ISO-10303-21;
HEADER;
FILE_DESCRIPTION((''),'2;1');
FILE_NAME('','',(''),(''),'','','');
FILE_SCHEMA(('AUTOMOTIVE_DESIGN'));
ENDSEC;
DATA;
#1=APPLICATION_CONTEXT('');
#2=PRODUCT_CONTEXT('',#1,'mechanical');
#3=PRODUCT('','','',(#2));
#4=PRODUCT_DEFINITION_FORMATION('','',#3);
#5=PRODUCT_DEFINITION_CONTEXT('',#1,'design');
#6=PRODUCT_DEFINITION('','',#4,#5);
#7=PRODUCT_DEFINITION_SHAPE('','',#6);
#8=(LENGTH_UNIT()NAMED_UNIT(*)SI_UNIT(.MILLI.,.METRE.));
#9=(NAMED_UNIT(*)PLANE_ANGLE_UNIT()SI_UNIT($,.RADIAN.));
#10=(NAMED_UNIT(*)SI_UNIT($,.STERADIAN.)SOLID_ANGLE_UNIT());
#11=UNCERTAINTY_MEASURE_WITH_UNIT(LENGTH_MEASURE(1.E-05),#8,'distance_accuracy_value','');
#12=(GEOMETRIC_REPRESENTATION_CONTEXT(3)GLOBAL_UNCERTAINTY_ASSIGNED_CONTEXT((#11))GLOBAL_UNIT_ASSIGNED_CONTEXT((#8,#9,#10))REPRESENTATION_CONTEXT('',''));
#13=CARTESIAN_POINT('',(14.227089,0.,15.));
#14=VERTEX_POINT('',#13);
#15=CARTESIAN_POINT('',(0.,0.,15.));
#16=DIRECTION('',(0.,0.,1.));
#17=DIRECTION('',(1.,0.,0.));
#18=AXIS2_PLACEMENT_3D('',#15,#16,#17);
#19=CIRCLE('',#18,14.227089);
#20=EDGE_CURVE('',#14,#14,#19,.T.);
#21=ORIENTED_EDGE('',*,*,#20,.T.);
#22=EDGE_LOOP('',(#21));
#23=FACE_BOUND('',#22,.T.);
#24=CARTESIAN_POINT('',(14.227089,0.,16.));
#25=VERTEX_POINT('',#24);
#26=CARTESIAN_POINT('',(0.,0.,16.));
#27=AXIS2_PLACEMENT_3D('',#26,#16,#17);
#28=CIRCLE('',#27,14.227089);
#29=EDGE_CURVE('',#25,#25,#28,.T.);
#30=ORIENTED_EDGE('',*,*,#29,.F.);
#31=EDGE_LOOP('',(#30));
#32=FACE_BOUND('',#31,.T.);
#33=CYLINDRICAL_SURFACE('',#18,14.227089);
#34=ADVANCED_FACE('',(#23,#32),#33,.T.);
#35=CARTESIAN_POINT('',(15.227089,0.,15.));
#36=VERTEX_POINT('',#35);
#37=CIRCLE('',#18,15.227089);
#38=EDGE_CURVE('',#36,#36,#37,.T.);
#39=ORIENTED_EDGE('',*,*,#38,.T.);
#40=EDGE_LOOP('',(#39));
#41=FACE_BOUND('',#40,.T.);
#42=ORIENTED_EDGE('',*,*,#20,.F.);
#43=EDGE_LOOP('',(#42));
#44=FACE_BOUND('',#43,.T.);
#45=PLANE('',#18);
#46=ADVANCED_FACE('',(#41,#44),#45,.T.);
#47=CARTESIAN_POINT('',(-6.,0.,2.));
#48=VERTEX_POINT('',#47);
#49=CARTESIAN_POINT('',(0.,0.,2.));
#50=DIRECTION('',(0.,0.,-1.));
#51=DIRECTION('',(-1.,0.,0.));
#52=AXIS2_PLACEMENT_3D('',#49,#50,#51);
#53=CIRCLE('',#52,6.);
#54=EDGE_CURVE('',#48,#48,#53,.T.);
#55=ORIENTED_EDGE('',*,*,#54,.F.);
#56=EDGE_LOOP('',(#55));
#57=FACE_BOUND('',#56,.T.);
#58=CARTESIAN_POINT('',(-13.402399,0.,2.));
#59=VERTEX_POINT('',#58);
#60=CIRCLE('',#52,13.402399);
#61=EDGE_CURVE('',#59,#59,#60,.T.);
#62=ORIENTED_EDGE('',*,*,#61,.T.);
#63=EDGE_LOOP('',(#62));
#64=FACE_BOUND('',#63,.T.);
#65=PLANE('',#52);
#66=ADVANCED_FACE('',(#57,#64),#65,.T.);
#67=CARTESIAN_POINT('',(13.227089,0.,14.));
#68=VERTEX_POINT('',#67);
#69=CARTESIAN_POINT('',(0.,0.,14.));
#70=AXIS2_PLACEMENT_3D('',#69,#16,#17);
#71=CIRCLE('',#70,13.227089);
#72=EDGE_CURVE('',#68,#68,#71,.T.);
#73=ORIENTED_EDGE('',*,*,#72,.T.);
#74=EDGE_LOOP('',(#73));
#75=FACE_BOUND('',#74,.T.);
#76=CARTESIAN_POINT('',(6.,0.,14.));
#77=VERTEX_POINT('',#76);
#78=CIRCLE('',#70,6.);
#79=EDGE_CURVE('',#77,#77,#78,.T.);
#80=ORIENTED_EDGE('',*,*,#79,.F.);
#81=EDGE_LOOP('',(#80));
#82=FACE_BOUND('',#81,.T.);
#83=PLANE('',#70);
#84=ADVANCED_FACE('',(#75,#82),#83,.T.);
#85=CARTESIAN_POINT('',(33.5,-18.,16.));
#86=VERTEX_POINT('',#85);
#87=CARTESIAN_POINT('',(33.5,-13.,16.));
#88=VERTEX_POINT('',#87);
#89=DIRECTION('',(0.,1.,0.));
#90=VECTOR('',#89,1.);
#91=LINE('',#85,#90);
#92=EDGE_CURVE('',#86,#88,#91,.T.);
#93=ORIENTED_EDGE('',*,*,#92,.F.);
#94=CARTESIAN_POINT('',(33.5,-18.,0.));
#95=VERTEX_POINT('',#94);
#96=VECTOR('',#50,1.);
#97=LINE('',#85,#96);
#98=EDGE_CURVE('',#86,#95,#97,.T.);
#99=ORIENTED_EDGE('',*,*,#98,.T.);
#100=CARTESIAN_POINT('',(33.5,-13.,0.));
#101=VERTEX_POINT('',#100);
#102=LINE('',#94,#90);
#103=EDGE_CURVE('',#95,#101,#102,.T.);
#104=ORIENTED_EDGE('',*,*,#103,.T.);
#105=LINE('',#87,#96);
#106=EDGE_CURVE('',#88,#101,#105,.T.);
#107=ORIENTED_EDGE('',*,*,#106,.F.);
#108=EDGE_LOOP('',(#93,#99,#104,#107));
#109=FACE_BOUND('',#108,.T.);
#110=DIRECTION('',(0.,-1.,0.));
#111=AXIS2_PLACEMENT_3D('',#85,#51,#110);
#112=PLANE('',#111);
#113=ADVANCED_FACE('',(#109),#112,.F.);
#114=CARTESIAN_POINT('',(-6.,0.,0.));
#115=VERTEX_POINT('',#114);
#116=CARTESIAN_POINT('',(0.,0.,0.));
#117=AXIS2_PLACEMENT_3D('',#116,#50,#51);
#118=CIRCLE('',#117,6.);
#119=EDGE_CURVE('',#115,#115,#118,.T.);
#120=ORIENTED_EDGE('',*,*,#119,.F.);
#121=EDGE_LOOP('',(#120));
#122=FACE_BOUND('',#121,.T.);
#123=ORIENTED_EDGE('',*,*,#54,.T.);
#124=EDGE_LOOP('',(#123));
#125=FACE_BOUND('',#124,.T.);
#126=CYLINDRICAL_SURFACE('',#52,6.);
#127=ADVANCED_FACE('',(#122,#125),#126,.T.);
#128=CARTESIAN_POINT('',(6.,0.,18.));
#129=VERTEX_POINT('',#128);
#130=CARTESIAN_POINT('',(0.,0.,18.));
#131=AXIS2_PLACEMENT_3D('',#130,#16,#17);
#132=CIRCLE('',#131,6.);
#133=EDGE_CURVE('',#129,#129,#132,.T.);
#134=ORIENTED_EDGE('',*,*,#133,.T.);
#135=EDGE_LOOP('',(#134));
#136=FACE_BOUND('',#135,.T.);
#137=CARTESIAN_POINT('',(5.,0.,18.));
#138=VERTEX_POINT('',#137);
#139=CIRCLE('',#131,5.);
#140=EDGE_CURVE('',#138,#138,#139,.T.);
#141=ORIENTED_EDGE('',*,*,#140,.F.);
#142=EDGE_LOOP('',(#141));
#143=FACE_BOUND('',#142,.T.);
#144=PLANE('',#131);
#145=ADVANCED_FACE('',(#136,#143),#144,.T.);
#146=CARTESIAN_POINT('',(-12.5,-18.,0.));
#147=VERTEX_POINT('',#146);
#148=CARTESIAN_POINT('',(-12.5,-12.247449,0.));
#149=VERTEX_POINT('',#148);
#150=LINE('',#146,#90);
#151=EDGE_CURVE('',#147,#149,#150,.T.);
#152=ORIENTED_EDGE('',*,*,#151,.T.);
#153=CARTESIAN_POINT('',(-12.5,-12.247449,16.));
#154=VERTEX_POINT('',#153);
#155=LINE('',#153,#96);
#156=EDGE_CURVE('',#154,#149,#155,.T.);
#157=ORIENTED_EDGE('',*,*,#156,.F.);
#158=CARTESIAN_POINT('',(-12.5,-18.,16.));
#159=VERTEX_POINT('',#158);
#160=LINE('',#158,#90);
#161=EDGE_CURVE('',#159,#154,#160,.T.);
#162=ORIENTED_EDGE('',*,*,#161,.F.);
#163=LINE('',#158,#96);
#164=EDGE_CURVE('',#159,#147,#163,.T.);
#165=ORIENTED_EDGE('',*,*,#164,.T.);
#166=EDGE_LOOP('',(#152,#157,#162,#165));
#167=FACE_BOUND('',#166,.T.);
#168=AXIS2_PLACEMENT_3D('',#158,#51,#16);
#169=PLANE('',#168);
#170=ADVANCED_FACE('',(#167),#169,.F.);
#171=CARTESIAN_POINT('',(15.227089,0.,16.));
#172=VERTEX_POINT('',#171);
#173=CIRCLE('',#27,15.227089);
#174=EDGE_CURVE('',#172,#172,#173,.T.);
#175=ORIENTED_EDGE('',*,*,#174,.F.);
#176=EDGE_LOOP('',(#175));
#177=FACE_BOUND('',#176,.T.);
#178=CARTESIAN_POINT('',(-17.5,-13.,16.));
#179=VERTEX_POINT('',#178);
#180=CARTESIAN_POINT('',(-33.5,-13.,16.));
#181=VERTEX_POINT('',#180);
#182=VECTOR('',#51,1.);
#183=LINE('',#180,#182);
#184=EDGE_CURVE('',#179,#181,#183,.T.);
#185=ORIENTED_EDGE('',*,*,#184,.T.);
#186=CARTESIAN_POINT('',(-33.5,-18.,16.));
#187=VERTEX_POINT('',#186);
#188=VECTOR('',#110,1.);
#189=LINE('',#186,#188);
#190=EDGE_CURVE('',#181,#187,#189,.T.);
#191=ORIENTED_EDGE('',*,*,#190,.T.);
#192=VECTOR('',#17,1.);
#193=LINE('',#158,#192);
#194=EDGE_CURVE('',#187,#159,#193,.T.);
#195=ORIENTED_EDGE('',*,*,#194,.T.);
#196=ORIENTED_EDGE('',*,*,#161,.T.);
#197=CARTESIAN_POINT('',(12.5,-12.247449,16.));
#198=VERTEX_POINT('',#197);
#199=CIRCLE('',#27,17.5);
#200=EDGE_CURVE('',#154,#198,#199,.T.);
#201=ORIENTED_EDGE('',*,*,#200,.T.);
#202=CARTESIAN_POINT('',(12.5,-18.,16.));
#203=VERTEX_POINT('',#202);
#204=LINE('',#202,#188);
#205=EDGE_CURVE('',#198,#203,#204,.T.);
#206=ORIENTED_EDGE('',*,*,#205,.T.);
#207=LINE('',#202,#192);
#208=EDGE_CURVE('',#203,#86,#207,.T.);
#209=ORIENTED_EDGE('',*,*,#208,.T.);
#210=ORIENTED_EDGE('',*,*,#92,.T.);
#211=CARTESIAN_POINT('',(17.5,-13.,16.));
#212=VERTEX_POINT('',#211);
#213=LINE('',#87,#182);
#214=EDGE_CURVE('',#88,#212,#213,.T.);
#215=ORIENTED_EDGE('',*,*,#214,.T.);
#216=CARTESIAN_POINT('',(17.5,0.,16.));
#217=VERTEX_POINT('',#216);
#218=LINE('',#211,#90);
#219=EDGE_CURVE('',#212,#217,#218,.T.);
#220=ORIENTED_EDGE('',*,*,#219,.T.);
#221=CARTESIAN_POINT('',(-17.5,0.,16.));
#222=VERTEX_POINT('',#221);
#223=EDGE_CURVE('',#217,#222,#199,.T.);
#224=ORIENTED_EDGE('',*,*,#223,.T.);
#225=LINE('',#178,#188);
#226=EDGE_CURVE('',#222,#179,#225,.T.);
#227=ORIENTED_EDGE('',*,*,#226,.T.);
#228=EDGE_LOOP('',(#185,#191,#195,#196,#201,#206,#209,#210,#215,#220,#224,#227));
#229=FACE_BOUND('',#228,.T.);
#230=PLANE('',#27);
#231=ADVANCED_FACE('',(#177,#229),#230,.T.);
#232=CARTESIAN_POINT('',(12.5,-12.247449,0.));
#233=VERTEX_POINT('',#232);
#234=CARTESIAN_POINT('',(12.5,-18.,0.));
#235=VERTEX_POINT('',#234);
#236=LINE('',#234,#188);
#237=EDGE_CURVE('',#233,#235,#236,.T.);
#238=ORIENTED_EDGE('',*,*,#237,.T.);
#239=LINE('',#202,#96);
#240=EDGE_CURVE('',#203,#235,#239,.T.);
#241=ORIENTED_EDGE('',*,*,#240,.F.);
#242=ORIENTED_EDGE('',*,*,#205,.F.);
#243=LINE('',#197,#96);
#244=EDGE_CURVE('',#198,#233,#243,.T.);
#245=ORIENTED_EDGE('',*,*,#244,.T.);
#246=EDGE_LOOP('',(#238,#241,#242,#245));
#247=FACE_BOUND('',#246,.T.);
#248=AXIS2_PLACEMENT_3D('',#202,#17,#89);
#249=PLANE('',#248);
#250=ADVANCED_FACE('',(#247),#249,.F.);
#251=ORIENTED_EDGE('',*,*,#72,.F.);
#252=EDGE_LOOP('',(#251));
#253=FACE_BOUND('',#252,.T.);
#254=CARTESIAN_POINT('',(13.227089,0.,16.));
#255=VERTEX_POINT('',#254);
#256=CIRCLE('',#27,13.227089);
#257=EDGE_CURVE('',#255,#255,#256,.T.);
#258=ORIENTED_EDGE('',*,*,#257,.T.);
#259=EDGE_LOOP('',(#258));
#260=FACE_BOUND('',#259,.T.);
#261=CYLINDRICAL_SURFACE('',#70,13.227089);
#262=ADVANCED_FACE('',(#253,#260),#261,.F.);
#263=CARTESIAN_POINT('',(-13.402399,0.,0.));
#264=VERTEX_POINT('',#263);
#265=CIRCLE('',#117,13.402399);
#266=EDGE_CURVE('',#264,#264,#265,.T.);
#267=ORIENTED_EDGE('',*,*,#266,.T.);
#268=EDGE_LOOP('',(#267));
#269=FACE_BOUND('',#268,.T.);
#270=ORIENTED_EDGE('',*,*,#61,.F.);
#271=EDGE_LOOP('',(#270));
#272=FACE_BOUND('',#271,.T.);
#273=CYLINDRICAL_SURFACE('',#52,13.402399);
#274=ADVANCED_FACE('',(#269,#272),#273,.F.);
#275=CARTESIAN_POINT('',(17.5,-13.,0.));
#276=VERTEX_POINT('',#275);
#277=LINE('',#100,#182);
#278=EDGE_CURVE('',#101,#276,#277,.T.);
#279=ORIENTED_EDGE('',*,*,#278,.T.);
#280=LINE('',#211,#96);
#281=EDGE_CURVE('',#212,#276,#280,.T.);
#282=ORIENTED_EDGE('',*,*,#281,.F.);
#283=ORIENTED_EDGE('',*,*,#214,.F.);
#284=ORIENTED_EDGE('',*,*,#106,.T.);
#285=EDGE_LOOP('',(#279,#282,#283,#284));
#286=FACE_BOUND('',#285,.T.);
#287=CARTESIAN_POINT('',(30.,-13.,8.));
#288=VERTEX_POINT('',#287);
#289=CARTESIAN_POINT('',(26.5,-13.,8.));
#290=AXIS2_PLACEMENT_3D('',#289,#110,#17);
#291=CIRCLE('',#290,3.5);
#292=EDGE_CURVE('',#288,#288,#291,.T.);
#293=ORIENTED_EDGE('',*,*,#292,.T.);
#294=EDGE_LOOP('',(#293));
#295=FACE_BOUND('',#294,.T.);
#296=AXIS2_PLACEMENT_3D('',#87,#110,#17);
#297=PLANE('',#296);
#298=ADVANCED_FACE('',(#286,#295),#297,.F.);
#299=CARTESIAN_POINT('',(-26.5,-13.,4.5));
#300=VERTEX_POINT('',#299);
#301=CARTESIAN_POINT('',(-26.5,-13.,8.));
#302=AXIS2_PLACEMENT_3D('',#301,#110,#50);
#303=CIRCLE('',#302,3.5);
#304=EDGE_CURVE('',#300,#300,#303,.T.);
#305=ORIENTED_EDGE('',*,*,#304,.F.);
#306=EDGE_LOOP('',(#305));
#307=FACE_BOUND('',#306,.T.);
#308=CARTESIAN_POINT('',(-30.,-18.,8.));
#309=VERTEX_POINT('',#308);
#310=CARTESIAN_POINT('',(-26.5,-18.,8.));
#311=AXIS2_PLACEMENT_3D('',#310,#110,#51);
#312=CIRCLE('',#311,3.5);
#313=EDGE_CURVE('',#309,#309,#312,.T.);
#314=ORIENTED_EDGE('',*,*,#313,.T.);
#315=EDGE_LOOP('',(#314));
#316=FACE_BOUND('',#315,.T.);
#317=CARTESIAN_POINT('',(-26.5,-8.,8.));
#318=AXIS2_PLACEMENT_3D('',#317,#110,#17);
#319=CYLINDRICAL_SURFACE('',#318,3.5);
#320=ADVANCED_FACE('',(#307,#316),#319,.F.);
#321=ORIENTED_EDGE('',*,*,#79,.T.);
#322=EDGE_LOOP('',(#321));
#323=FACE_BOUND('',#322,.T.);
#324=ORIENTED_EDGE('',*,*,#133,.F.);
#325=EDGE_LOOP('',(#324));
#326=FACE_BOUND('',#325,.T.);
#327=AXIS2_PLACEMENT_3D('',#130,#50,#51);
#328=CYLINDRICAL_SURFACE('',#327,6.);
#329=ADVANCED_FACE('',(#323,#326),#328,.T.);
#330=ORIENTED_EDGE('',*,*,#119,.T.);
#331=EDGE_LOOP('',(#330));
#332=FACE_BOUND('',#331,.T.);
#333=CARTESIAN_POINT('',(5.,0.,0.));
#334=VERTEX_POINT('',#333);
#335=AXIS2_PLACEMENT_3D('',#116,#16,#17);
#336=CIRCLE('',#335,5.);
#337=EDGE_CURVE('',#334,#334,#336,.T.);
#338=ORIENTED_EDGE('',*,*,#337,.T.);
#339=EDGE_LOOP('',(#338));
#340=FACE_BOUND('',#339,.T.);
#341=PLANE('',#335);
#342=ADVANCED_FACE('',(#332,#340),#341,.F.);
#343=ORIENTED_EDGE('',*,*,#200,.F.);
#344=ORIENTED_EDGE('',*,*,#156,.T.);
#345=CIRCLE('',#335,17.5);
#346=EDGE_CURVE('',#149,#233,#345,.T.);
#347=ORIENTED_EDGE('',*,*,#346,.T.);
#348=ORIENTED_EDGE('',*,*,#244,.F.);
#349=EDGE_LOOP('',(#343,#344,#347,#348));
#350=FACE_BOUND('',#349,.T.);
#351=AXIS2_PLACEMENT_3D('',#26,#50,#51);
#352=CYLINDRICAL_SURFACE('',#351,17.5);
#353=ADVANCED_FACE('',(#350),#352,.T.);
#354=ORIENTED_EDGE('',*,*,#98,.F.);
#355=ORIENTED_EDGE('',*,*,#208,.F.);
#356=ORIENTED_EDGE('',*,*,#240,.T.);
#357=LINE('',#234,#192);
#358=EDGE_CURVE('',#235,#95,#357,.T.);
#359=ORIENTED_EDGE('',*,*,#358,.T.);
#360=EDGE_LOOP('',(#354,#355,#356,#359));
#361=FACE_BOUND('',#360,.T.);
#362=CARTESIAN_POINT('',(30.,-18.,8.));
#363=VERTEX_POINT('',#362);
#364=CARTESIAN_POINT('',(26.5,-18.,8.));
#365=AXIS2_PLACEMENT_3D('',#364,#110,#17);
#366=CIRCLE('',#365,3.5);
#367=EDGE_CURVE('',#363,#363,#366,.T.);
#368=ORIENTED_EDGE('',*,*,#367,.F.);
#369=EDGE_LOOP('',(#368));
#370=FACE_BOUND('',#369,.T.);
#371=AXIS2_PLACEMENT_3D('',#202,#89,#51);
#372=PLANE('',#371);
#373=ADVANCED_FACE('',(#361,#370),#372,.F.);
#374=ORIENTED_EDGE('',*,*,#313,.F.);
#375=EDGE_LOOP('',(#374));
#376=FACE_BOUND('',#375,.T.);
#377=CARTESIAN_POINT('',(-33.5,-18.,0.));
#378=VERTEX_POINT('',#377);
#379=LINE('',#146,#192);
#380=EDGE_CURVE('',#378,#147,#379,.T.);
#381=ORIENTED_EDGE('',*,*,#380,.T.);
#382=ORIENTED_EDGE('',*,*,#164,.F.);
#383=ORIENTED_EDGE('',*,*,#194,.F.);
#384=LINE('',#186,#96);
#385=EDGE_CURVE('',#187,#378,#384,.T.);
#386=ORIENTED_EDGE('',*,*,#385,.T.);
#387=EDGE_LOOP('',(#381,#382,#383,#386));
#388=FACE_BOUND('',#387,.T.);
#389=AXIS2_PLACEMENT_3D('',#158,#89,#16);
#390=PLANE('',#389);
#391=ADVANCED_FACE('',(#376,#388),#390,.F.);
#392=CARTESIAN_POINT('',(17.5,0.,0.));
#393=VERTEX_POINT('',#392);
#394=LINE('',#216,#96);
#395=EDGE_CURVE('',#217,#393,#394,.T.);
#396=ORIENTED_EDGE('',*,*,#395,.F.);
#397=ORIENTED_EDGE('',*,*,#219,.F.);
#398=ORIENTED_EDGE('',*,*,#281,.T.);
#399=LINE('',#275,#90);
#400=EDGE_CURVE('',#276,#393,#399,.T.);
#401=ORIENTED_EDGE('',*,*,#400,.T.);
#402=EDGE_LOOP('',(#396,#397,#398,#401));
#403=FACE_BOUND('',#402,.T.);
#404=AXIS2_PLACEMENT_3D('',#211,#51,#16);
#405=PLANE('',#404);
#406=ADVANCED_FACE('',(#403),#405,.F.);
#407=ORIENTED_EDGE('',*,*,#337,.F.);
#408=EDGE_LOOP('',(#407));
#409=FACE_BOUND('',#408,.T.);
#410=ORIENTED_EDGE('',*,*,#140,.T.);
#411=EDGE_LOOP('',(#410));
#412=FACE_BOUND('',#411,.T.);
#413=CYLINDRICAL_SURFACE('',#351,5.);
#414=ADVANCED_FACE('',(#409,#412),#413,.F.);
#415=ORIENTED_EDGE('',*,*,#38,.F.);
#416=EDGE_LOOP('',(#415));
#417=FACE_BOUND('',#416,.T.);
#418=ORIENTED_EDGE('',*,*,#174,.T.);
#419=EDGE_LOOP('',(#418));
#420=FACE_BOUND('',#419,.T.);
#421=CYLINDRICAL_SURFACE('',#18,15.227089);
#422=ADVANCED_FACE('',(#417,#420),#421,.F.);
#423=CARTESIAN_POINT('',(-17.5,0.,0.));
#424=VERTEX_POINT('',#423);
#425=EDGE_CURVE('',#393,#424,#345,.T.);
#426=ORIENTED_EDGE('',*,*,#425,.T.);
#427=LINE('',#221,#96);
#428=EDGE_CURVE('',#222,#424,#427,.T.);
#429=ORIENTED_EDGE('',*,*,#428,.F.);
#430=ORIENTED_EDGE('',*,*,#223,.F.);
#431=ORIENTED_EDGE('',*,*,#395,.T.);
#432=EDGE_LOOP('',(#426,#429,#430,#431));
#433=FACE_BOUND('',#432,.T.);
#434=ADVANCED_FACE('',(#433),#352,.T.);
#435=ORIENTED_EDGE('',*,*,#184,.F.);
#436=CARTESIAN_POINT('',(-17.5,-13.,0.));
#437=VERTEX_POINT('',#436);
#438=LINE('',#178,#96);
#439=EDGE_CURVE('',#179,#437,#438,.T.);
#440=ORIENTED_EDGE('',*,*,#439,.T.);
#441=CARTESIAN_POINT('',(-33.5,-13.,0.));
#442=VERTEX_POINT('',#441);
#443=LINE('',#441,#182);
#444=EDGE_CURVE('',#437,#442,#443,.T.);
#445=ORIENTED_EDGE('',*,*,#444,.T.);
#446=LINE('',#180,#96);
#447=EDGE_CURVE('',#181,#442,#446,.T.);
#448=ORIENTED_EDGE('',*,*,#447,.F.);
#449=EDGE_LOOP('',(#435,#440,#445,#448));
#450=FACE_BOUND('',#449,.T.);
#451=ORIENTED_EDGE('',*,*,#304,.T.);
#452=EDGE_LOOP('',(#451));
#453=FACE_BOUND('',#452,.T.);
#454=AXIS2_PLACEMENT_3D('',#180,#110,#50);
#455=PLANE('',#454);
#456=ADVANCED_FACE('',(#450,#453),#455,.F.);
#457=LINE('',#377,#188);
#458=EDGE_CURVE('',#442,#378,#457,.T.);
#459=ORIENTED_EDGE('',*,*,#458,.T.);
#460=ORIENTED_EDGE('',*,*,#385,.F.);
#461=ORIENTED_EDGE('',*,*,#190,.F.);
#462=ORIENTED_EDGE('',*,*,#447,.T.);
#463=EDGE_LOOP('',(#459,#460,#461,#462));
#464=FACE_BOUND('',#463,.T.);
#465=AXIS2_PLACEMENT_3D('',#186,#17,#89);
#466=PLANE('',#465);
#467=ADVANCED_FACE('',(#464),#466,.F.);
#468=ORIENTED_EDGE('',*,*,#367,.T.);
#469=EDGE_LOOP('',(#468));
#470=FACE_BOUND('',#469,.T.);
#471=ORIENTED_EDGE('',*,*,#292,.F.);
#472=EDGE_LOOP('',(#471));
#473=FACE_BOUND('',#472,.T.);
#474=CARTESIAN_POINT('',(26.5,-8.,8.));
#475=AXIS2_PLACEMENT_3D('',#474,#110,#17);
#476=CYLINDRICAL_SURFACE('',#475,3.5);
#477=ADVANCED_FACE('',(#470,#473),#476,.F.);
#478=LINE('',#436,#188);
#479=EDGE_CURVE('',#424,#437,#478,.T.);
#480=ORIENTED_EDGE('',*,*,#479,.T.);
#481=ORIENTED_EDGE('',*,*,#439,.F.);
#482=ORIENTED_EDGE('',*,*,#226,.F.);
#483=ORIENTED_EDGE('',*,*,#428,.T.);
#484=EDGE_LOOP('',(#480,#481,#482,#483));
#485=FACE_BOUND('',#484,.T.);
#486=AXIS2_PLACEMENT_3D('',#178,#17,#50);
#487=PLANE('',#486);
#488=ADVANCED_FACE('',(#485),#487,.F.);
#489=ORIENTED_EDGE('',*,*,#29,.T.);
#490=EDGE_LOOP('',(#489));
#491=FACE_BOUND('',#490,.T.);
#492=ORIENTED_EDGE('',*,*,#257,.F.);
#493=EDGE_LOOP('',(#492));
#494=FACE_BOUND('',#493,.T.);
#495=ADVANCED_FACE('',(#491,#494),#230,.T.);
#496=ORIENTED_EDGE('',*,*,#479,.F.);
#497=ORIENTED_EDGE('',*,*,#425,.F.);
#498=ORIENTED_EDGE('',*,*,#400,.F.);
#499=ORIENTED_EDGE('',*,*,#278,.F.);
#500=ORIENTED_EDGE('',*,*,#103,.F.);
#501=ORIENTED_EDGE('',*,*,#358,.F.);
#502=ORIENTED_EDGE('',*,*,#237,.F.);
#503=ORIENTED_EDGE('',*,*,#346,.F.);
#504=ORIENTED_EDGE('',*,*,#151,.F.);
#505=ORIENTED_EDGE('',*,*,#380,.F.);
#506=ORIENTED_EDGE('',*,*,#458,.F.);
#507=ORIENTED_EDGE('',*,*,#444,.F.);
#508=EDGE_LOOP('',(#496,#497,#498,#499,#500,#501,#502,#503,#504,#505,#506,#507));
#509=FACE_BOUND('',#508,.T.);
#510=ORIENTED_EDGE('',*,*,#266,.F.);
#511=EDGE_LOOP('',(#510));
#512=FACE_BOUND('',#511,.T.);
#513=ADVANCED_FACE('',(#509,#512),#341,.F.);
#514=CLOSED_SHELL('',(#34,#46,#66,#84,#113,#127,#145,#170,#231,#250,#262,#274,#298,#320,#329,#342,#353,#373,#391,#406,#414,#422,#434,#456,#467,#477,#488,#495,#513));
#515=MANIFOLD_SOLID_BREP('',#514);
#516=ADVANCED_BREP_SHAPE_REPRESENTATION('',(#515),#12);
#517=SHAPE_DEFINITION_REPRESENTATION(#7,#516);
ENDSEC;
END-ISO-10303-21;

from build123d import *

# Parameters (mm, degrees)
SKETCH_1_R          = 5
EXTRUDE_1_DEPTH     = 16
SKETCH_2_R          = 6
SKETCH_2_R_2        = 5
EXTRUDE_2_DEPTH     = 2
CUT_EXTRUDE_START   = -2
SKETCH_3_R          = 13.227089176
SKETCH_3_R_2        = 6
CUT_EXTRUDE_1_DEPTH = 2
SKETCH_4_R          = 13.402399482
SKETCH_4_R_2        = 6
CUT_EXTRUDE_2_DEPTH = 2
SKETCH_5_R          = 15.227089176
SKETCH_5_R_2        = 14.227089176
CUT_EXTRUDE_3_DEPTH = 1
SKETCH_6_R          = 3.5
CUT_EXTRUDE_4_DEPTH = 10


with BuildPart() as part:
    # 草图1 → 凸台-拉伸1 (new body)
    with BuildSketch(Plane.XY):
        with BuildLine():
            Line((-12.5, -18), (-33.5, -18))
            Line((-33.5, -18), (-33.5, -13))
            Line((-33.5, -13), (-17.5, -13))
            Line((-17.5, -13), (-17.5, 0))
            ThreePointArc((-17.5, 0), (0, 17.5), (17.5, 0))
            Line((17.5, 0), (17.5, -13))
            Line((17.5, -13), (33.5, -13))
            Line((33.5, -13), (33.5, -18))
            Line((33.5, -18), (12.5, -18))
            Line((12.5, -18), (12.5, -12.247448714))
            ThreePointArc((12.5, -12.247448714), (0, -17.5), (-12.5, -12.247448714))
            Line((-12.5, -12.247448714), (-12.5, -18))
        make_face()
        Circle(SKETCH_1_R, mode=Mode.SUBTRACT)
    extrude(amount=EXTRUDE_1_DEPTH)

    # 草图2 → 凸台-拉伸2 (add)
    with BuildSketch(Plane.XY.offset(16)):
        Circle(SKETCH_2_R)
        Circle(SKETCH_2_R_2, mode=Mode.SUBTRACT)
    extrude(amount=EXTRUDE_2_DEPTH)

    # 草图3 → 切除-拉伸1 (cut)
    with BuildSketch(Plane.XY.offset(16).offset(CUT_EXTRUDE_START)):
        Circle(SKETCH_3_R)
        Circle(SKETCH_3_R_2, mode=Mode.SUBTRACT)
    extrude(amount=CUT_EXTRUDE_1_DEPTH, mode=Mode.SUBTRACT)

    # 草图4 → 切除-拉伸2 (cut)
    with BuildSketch(Plane(origin=(0, 0, 0), x_dir=(-1, 0, 0), z_dir=(0, 0, -1))):
        Circle(SKETCH_4_R)
        with Locations(Location((0, 0, 0), (0, 0, 180))):
            Circle(SKETCH_4_R_2, mode=Mode.SUBTRACT)
    extrude(amount=-CUT_EXTRUDE_2_DEPTH, mode=Mode.SUBTRACT)

    # 草图5 → 切除-拉伸3 (cut)
    with BuildSketch(Plane.XY.offset(16)):
        Circle(SKETCH_5_R)
        Circle(SKETCH_5_R_2, mode=Mode.SUBTRACT)
    extrude(amount=-CUT_EXTRUDE_3_DEPTH, mode=Mode.SUBTRACT)

    # 草图6 → 切除-拉伸4 (cut)
    with BuildSketch(Plane.XZ.offset(18)):
        with Locations((26.5, 8)):
            Circle(SKETCH_6_R)
        with Locations(Location((-26.5, 8, 0), (0, 0, 270))):
            Circle(SKETCH_6_R)
    extrude(amount=-CUT_EXTRUDE_4_DEPTH, mode=Mode.SUBTRACT)


solid = part.part
